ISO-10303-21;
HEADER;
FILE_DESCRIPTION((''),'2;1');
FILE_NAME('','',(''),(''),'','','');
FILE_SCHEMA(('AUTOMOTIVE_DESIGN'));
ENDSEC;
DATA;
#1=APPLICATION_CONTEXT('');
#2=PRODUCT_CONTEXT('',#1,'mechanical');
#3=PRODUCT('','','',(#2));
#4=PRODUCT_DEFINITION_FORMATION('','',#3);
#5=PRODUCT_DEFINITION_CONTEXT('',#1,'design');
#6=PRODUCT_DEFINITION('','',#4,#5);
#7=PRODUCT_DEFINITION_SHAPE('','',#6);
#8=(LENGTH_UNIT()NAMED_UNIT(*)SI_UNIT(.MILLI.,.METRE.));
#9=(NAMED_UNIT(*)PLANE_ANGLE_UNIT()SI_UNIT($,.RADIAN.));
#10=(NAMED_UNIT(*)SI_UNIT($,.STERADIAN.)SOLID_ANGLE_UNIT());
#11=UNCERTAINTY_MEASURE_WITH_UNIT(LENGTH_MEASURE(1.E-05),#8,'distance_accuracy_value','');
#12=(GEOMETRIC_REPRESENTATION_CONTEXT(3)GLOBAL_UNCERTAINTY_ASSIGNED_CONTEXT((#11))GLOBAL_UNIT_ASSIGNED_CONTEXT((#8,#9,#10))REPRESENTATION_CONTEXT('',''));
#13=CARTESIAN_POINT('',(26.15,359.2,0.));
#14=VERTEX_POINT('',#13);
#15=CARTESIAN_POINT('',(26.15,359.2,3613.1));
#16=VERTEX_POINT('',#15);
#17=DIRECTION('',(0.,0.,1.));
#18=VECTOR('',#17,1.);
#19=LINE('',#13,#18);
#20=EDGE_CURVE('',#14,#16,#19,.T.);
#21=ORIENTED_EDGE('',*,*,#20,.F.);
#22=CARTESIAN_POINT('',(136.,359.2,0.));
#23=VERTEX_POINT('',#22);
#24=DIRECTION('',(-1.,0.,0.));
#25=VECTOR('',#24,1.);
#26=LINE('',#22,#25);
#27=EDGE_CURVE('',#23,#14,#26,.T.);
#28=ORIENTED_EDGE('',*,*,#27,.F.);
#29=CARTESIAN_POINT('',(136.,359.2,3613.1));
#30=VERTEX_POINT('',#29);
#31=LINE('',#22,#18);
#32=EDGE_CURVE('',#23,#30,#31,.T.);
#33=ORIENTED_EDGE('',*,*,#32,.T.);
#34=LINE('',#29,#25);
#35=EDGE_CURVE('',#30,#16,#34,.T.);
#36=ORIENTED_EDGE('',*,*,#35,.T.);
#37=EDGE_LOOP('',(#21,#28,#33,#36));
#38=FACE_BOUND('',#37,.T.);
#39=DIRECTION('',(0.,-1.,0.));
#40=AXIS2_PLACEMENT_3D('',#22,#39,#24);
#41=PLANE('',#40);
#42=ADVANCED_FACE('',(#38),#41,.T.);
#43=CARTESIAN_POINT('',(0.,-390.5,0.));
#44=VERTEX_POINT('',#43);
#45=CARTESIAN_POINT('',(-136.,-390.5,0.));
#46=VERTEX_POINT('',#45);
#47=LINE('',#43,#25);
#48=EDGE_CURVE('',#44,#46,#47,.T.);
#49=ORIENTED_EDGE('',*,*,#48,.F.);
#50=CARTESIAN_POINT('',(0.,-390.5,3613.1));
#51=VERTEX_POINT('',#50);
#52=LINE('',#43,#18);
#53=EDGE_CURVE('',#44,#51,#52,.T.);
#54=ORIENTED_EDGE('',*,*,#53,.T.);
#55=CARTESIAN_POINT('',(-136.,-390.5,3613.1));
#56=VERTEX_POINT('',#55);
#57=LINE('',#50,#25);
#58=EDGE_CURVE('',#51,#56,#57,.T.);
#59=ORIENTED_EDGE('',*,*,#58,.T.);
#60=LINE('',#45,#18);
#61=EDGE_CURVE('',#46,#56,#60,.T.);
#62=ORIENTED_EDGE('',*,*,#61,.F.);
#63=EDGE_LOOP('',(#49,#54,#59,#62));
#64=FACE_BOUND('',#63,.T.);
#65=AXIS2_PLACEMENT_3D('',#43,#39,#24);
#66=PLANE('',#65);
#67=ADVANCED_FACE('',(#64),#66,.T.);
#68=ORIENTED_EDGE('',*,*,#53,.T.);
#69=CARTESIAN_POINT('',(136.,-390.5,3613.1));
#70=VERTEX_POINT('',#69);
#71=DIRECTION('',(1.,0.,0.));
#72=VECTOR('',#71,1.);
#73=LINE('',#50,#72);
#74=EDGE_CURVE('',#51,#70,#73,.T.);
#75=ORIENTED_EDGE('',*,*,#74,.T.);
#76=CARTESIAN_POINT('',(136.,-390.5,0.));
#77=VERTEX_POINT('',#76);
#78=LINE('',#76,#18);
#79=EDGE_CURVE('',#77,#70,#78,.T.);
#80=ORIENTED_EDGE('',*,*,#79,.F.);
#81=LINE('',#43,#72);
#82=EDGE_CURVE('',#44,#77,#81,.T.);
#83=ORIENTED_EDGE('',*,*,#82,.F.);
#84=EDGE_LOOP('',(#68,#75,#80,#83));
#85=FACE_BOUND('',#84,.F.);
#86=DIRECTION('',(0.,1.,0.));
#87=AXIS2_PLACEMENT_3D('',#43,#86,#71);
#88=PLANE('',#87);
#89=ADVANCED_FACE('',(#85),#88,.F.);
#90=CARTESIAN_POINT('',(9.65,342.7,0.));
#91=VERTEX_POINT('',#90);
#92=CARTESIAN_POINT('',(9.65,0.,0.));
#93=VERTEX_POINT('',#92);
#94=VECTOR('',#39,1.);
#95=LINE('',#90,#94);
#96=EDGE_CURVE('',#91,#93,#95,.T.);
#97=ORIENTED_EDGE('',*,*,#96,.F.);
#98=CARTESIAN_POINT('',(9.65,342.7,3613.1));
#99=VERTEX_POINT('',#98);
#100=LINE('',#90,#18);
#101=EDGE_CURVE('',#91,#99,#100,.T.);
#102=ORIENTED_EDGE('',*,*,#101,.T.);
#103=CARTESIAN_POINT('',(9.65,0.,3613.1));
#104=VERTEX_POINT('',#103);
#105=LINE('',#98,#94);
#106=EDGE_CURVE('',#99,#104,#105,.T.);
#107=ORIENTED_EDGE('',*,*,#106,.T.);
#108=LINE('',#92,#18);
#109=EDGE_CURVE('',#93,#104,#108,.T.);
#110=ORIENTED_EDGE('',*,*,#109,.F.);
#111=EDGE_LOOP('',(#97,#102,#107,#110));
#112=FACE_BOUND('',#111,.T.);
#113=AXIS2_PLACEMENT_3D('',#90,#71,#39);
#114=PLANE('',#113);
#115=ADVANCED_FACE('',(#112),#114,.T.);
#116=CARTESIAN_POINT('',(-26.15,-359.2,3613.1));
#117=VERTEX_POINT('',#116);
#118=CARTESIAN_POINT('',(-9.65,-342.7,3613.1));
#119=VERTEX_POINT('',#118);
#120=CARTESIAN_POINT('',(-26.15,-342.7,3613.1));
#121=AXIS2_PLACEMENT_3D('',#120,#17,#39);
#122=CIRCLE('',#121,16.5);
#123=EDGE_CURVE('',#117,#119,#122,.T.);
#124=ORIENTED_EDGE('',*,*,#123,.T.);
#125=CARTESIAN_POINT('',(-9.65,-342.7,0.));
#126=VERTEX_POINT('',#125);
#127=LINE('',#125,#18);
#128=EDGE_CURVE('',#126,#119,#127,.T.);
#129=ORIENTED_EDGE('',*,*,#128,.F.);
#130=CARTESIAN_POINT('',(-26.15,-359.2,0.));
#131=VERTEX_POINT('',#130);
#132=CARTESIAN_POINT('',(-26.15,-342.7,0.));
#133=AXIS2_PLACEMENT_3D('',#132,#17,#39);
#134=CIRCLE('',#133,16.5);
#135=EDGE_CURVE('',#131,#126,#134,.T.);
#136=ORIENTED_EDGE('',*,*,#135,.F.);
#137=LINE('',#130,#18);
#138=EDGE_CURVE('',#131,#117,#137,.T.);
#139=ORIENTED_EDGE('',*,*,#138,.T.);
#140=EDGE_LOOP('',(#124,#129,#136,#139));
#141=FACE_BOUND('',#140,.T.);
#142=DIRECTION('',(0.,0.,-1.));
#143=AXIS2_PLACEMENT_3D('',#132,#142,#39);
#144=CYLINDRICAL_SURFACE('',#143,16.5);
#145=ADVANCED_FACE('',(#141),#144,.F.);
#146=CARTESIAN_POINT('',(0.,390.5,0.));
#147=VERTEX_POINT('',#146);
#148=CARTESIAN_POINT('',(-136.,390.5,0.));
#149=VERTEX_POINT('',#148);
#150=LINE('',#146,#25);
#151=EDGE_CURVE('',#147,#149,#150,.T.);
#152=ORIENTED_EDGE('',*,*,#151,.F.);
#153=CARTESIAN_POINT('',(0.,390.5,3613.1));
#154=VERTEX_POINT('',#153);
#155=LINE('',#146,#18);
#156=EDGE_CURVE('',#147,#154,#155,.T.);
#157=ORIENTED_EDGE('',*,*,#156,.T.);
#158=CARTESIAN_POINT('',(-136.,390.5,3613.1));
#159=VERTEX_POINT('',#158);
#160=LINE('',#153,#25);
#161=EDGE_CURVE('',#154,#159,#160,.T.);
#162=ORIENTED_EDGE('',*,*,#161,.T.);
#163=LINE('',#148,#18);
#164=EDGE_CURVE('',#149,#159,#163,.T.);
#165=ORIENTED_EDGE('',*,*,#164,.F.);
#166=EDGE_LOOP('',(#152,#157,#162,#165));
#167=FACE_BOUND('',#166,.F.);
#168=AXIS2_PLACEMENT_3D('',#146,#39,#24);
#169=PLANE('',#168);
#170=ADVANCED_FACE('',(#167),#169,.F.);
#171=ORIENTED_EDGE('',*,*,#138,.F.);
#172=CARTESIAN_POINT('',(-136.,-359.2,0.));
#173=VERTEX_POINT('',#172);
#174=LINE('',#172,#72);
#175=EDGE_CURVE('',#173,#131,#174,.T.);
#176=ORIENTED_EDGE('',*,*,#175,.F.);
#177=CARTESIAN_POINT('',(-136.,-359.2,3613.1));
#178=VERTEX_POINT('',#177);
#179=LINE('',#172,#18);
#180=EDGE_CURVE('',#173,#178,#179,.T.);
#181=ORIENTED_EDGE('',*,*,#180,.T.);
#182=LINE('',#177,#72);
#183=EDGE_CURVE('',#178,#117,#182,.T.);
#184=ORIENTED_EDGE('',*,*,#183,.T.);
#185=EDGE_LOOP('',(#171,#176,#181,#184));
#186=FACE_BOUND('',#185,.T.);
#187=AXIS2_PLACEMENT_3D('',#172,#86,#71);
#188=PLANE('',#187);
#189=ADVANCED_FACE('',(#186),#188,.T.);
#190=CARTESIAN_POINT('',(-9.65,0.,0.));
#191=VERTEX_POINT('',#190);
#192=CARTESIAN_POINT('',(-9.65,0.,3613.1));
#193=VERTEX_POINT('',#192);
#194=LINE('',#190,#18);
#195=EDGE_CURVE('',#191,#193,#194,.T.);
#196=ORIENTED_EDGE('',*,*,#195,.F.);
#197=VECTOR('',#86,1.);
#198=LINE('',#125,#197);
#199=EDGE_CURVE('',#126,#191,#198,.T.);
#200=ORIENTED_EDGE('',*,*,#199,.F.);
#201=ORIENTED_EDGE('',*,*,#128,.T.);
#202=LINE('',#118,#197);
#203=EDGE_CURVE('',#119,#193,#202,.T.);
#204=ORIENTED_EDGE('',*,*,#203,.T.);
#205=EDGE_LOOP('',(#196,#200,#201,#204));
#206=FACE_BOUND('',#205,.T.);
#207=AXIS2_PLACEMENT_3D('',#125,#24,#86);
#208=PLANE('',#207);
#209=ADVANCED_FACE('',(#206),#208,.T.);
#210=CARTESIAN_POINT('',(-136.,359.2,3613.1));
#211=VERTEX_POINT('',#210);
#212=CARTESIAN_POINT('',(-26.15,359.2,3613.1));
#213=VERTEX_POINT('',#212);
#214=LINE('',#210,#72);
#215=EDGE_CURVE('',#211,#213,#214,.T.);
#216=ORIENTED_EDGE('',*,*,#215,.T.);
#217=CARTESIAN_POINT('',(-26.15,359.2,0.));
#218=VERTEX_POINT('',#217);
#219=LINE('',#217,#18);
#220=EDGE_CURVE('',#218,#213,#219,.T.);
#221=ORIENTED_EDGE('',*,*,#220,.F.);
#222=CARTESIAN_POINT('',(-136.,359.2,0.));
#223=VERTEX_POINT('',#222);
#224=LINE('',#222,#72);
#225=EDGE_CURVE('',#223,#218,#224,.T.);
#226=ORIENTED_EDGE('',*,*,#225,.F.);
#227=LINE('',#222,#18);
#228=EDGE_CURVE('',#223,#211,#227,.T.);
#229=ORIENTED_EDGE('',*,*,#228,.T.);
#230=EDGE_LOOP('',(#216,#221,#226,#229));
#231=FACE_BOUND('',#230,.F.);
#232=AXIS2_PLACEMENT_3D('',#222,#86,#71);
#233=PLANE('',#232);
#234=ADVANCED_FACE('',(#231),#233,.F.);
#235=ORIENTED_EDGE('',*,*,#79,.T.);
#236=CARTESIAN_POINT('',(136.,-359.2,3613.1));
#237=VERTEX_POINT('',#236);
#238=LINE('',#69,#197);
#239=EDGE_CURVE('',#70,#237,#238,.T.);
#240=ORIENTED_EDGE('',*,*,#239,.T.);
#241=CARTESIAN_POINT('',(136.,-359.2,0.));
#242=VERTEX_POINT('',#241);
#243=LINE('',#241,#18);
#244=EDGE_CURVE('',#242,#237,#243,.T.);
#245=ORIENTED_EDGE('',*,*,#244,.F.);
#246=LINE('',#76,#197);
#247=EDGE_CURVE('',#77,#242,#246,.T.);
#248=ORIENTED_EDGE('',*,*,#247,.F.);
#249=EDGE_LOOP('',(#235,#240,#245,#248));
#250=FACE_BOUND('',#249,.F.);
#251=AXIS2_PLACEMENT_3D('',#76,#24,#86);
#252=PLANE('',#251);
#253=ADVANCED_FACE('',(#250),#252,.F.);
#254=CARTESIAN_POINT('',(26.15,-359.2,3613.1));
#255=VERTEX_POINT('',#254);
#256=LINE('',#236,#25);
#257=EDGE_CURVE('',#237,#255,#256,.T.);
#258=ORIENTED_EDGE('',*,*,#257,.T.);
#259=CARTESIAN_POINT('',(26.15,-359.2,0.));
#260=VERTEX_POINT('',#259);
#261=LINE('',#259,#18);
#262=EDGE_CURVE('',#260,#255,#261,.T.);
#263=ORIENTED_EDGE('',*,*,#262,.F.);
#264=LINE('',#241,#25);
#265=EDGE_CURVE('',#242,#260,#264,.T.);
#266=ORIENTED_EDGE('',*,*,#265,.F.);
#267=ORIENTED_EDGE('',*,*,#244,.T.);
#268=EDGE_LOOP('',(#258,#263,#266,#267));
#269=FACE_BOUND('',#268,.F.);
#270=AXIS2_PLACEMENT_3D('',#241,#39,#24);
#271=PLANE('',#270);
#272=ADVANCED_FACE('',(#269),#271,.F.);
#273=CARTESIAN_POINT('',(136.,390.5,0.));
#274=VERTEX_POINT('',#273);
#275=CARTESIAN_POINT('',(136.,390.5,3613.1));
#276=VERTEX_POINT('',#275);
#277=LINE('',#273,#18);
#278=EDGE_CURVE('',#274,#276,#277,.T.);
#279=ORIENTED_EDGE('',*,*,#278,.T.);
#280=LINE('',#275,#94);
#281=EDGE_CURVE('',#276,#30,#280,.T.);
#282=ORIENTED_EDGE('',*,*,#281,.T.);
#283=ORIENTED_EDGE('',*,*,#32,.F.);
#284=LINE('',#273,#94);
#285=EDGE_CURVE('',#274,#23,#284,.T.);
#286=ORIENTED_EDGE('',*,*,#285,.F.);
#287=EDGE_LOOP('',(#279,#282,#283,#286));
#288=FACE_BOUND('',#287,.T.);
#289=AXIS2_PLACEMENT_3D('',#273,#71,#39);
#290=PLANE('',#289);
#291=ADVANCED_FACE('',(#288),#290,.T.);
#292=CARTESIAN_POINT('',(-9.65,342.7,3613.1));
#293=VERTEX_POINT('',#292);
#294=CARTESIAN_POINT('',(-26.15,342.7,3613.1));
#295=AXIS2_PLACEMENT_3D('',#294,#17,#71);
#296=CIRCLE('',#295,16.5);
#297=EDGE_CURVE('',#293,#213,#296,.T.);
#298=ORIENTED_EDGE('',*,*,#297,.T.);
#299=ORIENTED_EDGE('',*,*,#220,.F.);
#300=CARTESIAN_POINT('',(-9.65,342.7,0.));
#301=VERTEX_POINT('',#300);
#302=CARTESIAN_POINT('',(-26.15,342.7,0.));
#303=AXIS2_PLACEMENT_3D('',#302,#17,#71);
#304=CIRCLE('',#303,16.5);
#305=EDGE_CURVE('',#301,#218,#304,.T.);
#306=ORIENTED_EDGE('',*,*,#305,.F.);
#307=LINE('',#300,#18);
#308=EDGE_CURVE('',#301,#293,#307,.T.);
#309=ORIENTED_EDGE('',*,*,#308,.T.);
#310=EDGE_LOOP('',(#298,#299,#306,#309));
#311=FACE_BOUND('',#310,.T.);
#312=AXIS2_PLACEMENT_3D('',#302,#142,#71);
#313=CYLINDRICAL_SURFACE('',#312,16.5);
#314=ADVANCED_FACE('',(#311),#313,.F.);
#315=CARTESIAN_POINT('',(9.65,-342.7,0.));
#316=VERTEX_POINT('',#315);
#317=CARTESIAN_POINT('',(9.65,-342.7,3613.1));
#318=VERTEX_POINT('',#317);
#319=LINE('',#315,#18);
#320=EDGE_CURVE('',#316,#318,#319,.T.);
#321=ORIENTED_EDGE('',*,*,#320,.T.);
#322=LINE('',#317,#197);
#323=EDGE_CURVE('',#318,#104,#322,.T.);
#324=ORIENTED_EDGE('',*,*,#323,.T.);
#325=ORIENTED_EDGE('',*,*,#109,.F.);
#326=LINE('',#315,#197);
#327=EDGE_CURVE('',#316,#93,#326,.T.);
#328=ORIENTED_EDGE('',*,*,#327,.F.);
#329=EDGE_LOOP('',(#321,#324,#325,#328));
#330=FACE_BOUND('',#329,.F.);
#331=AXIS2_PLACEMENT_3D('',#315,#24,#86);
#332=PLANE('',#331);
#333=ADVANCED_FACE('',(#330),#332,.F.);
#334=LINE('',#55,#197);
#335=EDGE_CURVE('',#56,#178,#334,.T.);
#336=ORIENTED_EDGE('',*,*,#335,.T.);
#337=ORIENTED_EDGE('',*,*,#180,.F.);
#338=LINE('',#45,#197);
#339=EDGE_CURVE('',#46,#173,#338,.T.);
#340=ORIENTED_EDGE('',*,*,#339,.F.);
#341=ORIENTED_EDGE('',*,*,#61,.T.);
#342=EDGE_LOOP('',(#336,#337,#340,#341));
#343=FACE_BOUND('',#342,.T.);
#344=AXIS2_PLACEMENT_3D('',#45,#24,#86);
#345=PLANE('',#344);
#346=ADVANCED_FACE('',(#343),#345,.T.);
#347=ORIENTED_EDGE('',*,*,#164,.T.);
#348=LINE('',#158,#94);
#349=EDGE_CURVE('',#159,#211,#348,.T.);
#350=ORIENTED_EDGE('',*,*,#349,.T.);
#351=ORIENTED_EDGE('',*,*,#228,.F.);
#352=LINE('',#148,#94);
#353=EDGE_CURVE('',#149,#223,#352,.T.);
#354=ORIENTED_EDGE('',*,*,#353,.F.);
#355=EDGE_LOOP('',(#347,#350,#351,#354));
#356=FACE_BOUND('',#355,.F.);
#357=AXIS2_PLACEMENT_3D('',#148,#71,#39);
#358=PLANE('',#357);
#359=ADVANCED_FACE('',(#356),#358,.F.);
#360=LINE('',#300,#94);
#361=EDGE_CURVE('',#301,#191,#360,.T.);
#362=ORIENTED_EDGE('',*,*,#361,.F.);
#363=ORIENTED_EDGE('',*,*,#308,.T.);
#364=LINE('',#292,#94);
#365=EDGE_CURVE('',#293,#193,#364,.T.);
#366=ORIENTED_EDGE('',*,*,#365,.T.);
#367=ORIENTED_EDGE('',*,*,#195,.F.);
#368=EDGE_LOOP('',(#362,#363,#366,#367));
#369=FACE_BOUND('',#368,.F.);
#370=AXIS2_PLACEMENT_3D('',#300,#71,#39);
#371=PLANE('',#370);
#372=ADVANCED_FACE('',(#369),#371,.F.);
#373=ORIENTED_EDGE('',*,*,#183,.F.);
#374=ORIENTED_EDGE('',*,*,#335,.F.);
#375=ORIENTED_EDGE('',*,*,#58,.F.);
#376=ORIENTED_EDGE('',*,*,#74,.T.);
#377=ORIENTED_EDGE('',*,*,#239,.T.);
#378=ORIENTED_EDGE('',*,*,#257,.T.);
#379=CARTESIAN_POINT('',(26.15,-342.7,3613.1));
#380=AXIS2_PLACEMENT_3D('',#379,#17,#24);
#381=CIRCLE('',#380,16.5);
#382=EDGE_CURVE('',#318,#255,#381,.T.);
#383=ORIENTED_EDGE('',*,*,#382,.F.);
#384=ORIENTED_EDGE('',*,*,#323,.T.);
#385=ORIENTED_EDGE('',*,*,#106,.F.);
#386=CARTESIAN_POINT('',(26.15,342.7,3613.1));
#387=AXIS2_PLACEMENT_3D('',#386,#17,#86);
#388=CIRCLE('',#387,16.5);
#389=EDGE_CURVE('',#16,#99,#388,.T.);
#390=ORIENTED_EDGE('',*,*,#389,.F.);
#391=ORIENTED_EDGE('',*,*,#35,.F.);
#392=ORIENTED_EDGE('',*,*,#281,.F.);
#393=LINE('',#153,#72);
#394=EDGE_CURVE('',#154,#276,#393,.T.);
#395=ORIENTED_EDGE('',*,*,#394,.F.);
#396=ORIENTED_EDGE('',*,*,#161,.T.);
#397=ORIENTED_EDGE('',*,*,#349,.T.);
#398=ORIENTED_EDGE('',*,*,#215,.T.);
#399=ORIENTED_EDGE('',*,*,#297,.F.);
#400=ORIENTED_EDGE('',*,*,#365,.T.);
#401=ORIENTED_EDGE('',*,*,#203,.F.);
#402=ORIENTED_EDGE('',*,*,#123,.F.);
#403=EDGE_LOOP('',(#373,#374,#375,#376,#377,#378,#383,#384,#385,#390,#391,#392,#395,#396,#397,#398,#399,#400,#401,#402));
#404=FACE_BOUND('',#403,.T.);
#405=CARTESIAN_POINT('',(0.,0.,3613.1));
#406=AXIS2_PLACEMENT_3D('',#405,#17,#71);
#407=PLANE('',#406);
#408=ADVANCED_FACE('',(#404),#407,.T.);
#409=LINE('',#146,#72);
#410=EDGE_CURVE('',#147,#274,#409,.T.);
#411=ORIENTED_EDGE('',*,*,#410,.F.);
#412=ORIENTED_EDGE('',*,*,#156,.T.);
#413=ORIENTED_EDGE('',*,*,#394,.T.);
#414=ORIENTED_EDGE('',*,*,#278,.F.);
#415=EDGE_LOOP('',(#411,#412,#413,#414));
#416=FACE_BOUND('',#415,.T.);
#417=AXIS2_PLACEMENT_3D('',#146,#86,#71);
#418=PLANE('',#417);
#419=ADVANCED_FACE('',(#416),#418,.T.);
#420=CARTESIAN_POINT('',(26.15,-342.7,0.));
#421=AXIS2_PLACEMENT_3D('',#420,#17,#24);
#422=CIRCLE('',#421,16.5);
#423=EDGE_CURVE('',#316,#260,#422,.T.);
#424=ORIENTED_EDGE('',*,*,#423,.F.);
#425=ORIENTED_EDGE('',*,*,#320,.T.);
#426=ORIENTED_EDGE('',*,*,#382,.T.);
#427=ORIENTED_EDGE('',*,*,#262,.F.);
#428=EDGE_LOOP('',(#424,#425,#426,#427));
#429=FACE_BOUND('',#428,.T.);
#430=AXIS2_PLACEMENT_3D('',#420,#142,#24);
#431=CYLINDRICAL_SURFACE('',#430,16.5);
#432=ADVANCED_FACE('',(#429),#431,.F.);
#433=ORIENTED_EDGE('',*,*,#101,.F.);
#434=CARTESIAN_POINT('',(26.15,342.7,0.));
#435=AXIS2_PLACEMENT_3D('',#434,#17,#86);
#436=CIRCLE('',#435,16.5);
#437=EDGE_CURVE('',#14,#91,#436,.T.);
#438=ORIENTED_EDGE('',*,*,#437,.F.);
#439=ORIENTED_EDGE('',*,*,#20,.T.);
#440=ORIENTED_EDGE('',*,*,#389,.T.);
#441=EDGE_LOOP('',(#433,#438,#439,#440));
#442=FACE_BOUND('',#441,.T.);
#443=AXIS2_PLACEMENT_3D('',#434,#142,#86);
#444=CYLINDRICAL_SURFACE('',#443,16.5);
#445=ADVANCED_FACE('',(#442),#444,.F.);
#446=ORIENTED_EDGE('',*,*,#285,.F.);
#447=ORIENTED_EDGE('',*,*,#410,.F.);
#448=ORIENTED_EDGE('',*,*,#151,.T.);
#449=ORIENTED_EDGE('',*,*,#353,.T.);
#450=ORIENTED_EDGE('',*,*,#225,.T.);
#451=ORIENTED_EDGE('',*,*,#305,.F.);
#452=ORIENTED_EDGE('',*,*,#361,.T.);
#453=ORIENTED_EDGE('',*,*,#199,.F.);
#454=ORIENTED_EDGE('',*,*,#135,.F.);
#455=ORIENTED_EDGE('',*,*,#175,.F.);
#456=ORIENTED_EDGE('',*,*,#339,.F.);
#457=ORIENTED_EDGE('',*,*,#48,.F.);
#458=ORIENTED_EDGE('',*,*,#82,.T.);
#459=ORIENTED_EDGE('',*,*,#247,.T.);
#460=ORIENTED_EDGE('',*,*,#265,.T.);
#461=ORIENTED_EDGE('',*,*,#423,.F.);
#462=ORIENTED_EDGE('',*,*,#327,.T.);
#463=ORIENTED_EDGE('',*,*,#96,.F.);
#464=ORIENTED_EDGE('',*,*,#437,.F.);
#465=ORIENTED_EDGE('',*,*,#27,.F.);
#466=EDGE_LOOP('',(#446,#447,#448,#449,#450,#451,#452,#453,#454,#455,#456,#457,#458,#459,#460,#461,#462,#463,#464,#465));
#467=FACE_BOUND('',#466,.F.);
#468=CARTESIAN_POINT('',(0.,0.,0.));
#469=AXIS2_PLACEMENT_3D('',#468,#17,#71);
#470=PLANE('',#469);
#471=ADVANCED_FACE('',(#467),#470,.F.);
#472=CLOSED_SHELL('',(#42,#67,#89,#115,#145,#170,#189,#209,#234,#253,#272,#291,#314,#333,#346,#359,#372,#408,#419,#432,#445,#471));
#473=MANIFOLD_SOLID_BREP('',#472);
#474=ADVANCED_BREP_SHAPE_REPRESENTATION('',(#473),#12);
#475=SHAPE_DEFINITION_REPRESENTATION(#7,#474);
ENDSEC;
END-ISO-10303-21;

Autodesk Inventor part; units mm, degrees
ref_plane "YZ Plane" through (0, 0, 0) normal (1, 0, 0) x (0, 1, 0)
ref_plane "Start plane" through (0, 0, 0) normal (0, 0, 1) x (1, 0, 0)
ref_plane "End plane" through (0, 0, 3613.1) normal (0, 0, 1) x (1, 0, 0)
sketch "Sketch" plane through (0, 0, 0) normal (0, 0, 1) x (1, 0, 0)
  line L0 (-136, -390.5) -> (-136, -359.2)
  line L1 (-136, -359.2) -> (-26.15, -359.2)
  line L2 (-9.65, -342.7) -> (-9.65, 0)
  line L3 (-9.65, 0) -> (0, 0) construction
  line L4 (0, 0) -> (0, -390.5) construction
  line L5 (0, -390.5) -> (-136, -390.5)
  line L6 (-60, 0) -> (80, 0) construction
  line L7 (0, -60) -> (0, 80) construction
  line L8 (136, -390.5) -> (136, -359.2)
  line L9 (136, -359.2) -> (26.15, -359.2)
  line L10 (9.65, -342.7) -> (9.65, 0)
  line L11 (9.65, 0) -> (0, 0) construction
  line L12 (0, -390.5) -> (136, -390.5)
  line L13 (-136, 390.5) -> (-136, 359.2)
  line L14 (-136, 359.2) -> (-26.15, 359.2)
  line L15 (-9.65, 342.7) -> (-9.65, 0)
  line L16 (0, 390.5) -> (-136, 390.5)
  line L17 (136, 390.5) -> (136, 359.2)
  line L18 (136, 359.2) -> (26.15, 359.2)
  line L19 (0, 390.5) -> (136, 390.5)
  line L20 (9.65, 342.7) -> (9.65, 0)
  arc A0 (-9.65, 342.7) -> (-26.15, 359.2) centre (-26.15, 342.7) ccw
  arc A1 (26.15, 359.2) -> (9.65, 342.7) centre (26.15, 342.7) ccw
  arc A2 (9.65, -342.7) -> (26.15, -359.2) centre (26.15, -342.7) ccw
  arc A3 (-26.15, -359.2) -> (-9.65, -342.7) centre (-26.15, -342.7) ccw
  line L21 (0, 108) -> (0, -88) construction
  line L22 (-88, 0) -> (108, 0) construction
  point P0 (-9.65, -359.2)
  point P1 (9.65, -359.2)
  point P2 (-9.65, 359.2)
  point P3 (9.65, 359.2)
  dimension "d1" = 390.5
  dimension "d2" = 31.3
  dimension "d3" = 136
  dimension "d4" = 9.65
  dimension "d10" = 16.5
extrude "Body" add sketch "Sketch" along normal up to surface (3613.1 mm away) from surface at 0
sketch "Sketch4" plane through (0, 0, 0) normal (0, 0, 1) x (1, 0, 0)
  line L0 (0, 0) -> (10, 0)
ref_plane "Work Plane3" through (0, 0, 0) normal (0, -1, 0) x (1, 0, 0)
sketch "Sketch5" plane through (0, 0, 0) normal (0, -1, 0) x (1, 0, 0)
  line L0 (-2, 0) -> (12, 0) projected
  line L1 (-2, 3613.1) -> (12, 3613.1) projected
  dimension "d14" = 3613.1
equation "\"d1\" = 0.5 * G_H"
equation "\"d2\" = G_T1"
equation "\"d3\" = 0.5 * G_W"
equation "\"d4\" = 0.5 * G_T"
equation "\"d10\" = G_IR"
equation "\"d5\" = G_L"
equation "\"G_W\" = 272"
equation "\"G_H\" = 781"
equation "\"G_T\" = 19.3"
equation "\"G_T1\" = 31.3"
equation "\"G_IR\" = 16.5"
equation "\"G_L\" = d14"
equation "\"G_OFFSET_START\" = 0"
equation "\"G_OFFSET_END\" = 0"
equation "\"d12\" = G_OFFSET_END + B_L"
equation "\"B_L\" = 3613.1"
properties part number "AS 3679-1990 - 760 UB - 244 - 3613.1" material "Steel, Mild"
